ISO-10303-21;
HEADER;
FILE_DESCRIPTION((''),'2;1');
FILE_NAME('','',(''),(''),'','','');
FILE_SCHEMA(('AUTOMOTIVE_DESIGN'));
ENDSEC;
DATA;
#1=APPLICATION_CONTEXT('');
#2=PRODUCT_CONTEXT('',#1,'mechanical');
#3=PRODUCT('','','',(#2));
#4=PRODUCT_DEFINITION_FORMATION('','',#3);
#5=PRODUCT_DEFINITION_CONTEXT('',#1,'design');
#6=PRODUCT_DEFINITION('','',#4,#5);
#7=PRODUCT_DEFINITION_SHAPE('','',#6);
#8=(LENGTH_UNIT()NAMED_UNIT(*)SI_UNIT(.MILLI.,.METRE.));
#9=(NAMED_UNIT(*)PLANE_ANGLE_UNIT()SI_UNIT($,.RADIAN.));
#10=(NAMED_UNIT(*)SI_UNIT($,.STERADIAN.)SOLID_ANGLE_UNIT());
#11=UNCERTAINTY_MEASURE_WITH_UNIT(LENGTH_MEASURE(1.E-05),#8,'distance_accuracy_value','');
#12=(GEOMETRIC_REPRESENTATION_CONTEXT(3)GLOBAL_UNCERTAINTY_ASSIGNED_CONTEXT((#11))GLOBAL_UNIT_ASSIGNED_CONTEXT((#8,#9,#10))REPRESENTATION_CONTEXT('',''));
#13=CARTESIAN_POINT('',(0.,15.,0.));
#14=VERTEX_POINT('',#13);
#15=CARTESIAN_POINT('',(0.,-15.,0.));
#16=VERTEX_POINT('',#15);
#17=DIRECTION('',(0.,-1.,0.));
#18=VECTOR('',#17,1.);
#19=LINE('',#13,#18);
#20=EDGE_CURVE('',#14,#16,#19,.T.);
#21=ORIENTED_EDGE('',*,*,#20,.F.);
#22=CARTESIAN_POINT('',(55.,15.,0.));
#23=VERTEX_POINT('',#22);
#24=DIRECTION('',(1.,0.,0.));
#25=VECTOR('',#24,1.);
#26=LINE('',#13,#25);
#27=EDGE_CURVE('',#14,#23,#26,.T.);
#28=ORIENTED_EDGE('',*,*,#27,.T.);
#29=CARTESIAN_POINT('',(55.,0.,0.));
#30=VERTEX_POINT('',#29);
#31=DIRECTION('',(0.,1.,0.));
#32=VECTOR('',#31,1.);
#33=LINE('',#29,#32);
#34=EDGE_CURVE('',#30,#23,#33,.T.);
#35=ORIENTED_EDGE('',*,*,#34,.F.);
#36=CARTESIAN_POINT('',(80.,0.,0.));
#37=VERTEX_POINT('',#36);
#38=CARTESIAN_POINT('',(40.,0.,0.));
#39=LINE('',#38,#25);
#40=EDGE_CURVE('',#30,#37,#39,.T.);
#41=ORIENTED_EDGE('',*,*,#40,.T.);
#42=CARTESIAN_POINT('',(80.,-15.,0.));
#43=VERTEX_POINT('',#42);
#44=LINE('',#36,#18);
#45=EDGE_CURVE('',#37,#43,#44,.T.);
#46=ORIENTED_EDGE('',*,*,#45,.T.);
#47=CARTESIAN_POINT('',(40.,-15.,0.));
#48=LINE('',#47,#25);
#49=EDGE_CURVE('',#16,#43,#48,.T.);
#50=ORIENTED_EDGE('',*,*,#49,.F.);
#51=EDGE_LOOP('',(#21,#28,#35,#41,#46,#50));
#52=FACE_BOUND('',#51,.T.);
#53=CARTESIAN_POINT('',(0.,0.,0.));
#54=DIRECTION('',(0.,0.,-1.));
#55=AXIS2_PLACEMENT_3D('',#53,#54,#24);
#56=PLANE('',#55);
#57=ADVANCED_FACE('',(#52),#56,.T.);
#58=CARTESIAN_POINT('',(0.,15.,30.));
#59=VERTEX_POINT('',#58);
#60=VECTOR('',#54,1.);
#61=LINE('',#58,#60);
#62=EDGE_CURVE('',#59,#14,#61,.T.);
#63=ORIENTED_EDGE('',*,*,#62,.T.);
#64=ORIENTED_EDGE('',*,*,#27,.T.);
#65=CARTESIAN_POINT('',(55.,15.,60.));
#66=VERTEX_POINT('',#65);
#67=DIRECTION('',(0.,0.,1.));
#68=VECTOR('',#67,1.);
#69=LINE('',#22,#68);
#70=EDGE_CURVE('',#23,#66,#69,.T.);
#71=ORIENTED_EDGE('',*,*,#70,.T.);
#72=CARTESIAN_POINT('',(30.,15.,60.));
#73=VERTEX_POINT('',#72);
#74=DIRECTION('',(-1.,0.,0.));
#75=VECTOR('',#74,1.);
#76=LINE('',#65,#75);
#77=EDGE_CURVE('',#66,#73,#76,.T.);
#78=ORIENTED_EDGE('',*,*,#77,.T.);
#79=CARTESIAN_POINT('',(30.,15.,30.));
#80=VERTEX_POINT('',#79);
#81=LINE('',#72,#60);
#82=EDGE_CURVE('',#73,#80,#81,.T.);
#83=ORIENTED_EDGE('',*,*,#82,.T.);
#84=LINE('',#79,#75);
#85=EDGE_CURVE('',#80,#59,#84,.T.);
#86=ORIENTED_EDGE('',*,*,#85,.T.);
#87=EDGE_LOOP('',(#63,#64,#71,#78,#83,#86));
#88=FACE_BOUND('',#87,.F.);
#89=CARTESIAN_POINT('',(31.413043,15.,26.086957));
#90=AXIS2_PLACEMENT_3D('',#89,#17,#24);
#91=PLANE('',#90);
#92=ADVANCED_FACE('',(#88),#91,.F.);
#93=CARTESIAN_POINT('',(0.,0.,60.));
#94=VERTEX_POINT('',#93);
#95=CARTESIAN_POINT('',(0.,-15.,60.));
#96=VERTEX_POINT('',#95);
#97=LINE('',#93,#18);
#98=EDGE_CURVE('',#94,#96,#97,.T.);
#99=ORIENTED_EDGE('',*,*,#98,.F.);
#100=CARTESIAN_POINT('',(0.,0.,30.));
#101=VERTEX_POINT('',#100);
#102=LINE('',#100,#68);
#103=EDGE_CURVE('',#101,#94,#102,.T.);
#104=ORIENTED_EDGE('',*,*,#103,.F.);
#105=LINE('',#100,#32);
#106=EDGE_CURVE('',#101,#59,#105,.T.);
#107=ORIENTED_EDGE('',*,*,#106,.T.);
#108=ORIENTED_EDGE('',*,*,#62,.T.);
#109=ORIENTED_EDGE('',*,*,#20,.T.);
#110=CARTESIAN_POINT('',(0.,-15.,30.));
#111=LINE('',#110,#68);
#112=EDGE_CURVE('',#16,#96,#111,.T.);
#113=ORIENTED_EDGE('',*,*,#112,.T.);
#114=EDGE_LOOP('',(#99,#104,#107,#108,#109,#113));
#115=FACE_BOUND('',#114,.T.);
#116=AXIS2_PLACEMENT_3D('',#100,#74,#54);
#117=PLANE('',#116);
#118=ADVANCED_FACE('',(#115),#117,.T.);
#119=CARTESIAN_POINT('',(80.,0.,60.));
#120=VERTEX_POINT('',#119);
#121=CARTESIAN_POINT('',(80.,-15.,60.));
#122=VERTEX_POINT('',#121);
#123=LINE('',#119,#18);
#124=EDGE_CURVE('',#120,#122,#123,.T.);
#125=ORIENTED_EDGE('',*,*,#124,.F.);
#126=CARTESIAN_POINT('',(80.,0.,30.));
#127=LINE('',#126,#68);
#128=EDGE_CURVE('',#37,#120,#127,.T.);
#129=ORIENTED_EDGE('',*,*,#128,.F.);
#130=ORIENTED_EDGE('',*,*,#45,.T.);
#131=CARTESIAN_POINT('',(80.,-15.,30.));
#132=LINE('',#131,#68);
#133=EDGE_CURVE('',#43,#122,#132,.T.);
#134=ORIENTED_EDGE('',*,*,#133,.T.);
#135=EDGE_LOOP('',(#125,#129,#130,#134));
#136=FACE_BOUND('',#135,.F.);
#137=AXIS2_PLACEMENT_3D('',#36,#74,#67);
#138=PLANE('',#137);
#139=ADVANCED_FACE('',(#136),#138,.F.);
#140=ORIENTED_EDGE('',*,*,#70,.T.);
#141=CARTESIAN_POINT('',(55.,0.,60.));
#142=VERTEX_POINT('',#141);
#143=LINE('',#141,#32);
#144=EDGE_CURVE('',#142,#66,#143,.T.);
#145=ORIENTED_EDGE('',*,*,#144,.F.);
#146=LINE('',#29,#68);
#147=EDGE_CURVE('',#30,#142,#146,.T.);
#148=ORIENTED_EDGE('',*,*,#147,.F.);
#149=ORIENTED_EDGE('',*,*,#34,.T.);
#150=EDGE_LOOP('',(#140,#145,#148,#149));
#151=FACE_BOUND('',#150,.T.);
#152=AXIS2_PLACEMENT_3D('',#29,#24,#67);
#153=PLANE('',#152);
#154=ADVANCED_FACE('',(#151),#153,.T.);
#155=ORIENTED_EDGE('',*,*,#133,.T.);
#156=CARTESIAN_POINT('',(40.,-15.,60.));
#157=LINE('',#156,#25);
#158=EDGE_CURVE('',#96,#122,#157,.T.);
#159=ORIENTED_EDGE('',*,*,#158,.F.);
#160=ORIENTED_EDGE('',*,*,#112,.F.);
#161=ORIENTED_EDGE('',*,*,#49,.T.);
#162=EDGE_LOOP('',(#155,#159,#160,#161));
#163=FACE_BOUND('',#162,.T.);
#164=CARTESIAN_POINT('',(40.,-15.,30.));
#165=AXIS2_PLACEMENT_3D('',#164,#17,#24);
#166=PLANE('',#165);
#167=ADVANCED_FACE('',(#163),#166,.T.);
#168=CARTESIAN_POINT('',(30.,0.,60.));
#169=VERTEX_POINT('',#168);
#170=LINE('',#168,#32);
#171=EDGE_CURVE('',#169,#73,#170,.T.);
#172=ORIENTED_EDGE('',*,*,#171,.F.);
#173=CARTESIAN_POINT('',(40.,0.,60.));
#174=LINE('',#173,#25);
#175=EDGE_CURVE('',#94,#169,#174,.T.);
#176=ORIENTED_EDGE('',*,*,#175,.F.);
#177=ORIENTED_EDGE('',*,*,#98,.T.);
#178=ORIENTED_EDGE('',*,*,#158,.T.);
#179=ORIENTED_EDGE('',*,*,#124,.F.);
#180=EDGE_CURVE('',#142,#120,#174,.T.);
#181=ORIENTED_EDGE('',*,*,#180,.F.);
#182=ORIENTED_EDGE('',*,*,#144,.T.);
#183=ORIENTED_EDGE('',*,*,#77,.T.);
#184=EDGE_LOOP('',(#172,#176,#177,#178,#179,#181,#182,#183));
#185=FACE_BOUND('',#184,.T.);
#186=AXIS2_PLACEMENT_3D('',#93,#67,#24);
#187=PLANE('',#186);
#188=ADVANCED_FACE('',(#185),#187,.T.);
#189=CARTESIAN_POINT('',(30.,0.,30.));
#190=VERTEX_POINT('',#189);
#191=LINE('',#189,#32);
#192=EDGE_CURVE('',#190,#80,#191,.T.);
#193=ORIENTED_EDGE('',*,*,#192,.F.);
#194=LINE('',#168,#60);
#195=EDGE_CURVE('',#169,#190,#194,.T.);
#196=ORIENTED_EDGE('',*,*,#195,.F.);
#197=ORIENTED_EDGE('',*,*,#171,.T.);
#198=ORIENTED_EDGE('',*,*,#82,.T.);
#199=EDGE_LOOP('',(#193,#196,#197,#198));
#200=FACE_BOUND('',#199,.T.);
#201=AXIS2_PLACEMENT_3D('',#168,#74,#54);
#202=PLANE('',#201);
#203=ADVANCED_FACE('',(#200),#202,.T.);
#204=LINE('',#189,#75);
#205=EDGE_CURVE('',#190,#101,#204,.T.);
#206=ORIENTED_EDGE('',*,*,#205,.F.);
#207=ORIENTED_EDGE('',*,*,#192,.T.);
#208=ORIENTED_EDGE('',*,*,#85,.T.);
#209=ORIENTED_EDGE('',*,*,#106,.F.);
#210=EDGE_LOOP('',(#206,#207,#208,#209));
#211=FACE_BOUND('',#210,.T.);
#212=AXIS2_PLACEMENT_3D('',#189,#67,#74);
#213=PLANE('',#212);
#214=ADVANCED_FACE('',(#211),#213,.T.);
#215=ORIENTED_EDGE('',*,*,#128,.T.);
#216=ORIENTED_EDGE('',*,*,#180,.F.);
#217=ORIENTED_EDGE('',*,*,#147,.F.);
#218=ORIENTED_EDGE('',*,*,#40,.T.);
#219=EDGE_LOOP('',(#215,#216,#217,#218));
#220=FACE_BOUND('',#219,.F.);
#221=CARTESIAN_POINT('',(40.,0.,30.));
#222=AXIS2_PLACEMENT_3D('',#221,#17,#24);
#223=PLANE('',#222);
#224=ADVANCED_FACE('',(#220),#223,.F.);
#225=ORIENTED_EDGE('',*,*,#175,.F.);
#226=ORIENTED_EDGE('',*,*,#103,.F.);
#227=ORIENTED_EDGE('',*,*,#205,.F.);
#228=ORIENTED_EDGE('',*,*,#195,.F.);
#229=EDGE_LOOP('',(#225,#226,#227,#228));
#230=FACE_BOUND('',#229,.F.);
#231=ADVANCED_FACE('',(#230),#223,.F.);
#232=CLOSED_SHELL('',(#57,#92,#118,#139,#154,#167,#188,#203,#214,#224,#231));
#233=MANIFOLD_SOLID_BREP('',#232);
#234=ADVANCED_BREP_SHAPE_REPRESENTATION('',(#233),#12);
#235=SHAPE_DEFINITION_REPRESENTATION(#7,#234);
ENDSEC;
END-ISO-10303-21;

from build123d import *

# Parameters (mm, degrees)
F0_W     = 80
F0_H     = 60
F1_DEPTH = 15
F3_DEPTH = 15


with BuildPart() as f1:
    # F0 (on Front) → F1 (new body)
    with BuildSketch(Plane.XZ):
        with Locations((40, 30)):
            Rectangle(F0_W, F0_H)
    extrude(amount=F1_DEPTH)

    # F2 (on Front) → F3 (join)
    with BuildSketch(Plane.XZ):
        Polygon((0, 30), (0, 0), (55, 0), (55, 60), (30, 60), (30, 30), align=None)
    extrude(amount=-F3_DEPTH)


solid = f1.part
